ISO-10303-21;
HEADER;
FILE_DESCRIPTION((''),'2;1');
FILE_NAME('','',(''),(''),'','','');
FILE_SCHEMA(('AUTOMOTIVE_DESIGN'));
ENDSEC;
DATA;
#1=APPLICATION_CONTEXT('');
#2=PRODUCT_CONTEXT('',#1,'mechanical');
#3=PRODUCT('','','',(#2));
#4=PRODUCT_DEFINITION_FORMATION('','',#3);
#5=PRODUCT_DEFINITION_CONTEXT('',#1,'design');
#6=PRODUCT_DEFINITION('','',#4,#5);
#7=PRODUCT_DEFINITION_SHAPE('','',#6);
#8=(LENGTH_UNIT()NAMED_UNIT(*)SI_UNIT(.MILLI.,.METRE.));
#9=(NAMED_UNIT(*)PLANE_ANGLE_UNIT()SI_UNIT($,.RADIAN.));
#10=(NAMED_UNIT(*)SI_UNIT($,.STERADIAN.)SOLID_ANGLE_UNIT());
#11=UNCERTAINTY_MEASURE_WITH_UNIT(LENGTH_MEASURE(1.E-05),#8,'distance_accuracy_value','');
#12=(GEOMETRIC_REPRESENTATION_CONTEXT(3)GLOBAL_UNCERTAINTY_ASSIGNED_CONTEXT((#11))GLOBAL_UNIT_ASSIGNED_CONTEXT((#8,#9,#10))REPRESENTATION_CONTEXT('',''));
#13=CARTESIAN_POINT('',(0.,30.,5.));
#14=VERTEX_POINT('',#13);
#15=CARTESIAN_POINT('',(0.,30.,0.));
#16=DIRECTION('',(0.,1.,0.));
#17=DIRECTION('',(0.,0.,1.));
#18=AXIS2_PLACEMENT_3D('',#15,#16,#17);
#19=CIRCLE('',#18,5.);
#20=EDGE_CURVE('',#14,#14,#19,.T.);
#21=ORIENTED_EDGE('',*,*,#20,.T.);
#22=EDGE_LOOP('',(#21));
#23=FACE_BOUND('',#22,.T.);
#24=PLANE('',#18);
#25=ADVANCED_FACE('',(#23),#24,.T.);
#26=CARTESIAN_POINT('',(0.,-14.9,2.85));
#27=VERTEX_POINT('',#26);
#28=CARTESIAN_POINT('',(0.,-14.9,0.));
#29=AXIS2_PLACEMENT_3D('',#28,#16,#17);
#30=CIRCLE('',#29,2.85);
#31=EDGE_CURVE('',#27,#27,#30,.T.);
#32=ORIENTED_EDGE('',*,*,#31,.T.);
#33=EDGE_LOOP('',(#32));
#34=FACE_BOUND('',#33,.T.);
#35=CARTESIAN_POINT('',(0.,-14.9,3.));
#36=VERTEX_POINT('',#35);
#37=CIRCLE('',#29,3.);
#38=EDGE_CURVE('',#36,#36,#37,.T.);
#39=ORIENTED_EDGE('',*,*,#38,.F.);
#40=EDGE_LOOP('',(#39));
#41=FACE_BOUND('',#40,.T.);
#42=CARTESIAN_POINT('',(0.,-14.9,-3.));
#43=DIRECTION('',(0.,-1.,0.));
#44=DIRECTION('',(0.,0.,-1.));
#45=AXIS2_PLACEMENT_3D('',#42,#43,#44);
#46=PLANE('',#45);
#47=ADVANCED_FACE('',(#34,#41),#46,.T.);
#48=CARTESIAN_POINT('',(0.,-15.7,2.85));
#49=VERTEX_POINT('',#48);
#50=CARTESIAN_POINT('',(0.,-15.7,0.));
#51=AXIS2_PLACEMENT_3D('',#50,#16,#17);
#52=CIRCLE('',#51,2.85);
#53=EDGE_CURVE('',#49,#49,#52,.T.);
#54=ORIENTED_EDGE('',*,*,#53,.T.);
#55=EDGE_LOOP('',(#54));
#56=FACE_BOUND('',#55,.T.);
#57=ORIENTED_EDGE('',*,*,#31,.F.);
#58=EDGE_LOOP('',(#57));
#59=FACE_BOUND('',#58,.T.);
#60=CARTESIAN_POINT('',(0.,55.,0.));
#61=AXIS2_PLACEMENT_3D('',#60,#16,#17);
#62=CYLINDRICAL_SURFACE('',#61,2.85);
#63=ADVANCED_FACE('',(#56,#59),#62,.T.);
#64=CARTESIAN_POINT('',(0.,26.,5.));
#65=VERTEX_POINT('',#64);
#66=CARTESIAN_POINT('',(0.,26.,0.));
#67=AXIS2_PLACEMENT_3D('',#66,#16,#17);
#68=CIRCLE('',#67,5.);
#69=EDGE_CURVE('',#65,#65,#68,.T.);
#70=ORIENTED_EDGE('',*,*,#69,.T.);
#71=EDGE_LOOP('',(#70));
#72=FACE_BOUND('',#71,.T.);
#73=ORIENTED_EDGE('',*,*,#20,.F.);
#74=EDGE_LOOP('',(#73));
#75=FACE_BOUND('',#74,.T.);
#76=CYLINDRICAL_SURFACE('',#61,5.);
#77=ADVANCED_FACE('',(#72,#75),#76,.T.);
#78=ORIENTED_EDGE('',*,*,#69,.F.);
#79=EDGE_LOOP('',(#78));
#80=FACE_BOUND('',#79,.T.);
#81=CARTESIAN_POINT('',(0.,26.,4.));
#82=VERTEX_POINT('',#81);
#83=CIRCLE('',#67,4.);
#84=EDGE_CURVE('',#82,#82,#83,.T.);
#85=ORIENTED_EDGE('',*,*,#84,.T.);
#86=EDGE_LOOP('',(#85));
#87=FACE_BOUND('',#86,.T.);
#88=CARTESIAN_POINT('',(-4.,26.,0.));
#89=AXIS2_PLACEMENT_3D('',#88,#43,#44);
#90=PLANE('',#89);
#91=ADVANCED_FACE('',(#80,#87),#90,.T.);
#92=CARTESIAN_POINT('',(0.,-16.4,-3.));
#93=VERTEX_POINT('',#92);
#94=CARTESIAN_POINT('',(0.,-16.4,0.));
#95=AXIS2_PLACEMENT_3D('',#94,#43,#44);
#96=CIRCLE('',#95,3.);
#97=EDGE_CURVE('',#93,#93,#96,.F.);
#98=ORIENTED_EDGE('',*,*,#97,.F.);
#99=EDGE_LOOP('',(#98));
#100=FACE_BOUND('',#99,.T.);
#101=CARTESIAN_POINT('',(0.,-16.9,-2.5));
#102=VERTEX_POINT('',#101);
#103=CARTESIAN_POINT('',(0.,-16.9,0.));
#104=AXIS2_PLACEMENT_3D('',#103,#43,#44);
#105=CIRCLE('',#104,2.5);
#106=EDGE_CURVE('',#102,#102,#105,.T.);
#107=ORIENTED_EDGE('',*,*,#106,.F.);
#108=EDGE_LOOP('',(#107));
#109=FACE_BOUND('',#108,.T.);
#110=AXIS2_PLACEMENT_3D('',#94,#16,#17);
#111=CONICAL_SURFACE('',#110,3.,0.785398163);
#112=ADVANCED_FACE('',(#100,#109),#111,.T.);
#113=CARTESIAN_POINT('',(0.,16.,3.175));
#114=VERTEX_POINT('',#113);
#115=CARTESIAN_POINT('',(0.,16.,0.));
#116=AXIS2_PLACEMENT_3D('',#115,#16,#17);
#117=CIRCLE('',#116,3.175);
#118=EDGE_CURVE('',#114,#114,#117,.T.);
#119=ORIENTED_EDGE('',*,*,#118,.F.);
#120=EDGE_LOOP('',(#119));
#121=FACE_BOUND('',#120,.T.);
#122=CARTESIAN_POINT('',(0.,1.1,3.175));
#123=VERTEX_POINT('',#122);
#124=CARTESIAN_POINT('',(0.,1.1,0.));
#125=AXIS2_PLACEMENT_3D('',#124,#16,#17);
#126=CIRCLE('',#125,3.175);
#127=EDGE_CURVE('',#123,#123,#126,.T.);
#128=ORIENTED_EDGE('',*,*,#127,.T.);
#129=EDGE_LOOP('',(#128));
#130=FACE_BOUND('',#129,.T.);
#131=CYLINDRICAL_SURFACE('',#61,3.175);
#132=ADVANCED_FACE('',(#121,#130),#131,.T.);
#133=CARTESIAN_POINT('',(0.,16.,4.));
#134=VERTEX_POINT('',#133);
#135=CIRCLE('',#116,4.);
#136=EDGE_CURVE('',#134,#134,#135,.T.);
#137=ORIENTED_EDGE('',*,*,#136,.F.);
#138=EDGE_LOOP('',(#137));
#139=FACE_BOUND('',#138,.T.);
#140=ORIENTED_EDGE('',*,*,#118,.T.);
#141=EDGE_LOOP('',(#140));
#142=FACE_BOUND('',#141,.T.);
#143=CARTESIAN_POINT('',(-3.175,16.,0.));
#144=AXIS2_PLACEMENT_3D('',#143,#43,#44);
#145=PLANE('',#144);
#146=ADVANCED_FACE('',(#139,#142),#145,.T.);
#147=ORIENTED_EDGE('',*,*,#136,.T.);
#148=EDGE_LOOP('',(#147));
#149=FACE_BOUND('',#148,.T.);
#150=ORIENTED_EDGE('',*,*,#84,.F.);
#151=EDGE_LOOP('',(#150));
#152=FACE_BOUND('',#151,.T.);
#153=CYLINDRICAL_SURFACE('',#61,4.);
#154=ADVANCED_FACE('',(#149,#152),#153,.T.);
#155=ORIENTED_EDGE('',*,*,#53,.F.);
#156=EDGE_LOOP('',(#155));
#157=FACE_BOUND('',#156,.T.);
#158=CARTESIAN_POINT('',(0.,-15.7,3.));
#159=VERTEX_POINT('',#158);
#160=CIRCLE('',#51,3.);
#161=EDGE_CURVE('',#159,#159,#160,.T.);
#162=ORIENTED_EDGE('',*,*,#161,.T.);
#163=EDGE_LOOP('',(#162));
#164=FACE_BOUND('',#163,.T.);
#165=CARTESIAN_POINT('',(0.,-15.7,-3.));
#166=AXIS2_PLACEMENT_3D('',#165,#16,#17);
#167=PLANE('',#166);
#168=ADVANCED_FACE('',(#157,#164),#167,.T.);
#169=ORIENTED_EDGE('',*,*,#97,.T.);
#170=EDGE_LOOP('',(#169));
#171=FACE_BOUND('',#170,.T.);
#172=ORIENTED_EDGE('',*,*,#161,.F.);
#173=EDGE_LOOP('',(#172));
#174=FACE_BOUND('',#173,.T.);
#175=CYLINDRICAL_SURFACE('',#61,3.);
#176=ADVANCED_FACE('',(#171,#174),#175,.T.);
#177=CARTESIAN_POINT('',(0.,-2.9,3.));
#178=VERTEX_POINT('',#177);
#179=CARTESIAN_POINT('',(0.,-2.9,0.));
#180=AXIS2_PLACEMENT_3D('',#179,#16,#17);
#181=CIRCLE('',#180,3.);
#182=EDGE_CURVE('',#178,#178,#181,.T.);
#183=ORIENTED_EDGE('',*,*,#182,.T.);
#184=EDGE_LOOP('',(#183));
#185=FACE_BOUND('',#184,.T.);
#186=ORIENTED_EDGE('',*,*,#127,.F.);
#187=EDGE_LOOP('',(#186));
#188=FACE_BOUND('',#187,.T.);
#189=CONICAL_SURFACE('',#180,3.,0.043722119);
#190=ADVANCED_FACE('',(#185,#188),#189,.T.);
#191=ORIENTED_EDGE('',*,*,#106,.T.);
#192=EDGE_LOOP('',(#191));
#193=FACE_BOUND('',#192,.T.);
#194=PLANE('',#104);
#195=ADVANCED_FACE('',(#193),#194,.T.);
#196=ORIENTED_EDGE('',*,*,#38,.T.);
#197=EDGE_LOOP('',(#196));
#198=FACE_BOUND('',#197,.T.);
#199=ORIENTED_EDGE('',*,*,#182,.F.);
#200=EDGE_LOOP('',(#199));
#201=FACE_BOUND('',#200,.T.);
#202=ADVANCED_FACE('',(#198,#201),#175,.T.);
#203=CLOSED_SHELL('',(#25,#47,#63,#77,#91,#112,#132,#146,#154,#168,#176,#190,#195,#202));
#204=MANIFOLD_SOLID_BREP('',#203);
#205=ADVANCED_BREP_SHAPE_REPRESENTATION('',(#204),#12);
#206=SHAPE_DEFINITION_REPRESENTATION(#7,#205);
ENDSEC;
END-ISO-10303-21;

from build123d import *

# Parameters (mm, degrees)
CHAMFER5_SIZE = 0.5
SKETCH3_W     = 0.15
SKETCH3_H     = 0.8


with BuildPart() as part:
    # Sketch1 → Revolve1 (revolve)
    with BuildSketch(Plane.XY):
        Polygon((0, -16.9), (-3.175, -16.9), (-3.175, 16), (-4, 16), (-4, 26), (-5, 26), (-5, 30), (0, 30), (0, 18.825290935), align=None)
    revolve(axis=Axis((0, 55, 0), (0, -1, 0)))

    # Sketch2 → Cut-Revolve1 (revolve, cut)
    with BuildSketch(Plane.XY):
        Polygon((-3, -2.9), (-3.175, 1.1), (-3.175, -3.698889695), (-3.175, -16.9), (-3, -16.9), align=None)
    revolve(axis=Axis((0, 55, 0), (0, -1, 0)), mode=Mode.SUBTRACT)

    # Chamfer5
    chamfer5_edges = [part.edges().sort_by_distance(p)[0] for p in [
        (3, -16.9, 0),
    ]]
    chamfer(chamfer5_edges, length=CHAMFER5_SIZE)

    # Sketch3 → Cut-Revolve2 (revolve, cut)
    with BuildSketch(Plane(origin=(0, 0, 0), x_dir=(0, 0, -1), z_dir=(1, 0, 0))):
        with Locations((2.925, -15.3)):
            Rectangle(SKETCH3_W, SKETCH3_H)
    revolve(axis=Axis((0, 55, 0), (0, -1, 0)), mode=Mode.SUBTRACT)


solid = part.part
